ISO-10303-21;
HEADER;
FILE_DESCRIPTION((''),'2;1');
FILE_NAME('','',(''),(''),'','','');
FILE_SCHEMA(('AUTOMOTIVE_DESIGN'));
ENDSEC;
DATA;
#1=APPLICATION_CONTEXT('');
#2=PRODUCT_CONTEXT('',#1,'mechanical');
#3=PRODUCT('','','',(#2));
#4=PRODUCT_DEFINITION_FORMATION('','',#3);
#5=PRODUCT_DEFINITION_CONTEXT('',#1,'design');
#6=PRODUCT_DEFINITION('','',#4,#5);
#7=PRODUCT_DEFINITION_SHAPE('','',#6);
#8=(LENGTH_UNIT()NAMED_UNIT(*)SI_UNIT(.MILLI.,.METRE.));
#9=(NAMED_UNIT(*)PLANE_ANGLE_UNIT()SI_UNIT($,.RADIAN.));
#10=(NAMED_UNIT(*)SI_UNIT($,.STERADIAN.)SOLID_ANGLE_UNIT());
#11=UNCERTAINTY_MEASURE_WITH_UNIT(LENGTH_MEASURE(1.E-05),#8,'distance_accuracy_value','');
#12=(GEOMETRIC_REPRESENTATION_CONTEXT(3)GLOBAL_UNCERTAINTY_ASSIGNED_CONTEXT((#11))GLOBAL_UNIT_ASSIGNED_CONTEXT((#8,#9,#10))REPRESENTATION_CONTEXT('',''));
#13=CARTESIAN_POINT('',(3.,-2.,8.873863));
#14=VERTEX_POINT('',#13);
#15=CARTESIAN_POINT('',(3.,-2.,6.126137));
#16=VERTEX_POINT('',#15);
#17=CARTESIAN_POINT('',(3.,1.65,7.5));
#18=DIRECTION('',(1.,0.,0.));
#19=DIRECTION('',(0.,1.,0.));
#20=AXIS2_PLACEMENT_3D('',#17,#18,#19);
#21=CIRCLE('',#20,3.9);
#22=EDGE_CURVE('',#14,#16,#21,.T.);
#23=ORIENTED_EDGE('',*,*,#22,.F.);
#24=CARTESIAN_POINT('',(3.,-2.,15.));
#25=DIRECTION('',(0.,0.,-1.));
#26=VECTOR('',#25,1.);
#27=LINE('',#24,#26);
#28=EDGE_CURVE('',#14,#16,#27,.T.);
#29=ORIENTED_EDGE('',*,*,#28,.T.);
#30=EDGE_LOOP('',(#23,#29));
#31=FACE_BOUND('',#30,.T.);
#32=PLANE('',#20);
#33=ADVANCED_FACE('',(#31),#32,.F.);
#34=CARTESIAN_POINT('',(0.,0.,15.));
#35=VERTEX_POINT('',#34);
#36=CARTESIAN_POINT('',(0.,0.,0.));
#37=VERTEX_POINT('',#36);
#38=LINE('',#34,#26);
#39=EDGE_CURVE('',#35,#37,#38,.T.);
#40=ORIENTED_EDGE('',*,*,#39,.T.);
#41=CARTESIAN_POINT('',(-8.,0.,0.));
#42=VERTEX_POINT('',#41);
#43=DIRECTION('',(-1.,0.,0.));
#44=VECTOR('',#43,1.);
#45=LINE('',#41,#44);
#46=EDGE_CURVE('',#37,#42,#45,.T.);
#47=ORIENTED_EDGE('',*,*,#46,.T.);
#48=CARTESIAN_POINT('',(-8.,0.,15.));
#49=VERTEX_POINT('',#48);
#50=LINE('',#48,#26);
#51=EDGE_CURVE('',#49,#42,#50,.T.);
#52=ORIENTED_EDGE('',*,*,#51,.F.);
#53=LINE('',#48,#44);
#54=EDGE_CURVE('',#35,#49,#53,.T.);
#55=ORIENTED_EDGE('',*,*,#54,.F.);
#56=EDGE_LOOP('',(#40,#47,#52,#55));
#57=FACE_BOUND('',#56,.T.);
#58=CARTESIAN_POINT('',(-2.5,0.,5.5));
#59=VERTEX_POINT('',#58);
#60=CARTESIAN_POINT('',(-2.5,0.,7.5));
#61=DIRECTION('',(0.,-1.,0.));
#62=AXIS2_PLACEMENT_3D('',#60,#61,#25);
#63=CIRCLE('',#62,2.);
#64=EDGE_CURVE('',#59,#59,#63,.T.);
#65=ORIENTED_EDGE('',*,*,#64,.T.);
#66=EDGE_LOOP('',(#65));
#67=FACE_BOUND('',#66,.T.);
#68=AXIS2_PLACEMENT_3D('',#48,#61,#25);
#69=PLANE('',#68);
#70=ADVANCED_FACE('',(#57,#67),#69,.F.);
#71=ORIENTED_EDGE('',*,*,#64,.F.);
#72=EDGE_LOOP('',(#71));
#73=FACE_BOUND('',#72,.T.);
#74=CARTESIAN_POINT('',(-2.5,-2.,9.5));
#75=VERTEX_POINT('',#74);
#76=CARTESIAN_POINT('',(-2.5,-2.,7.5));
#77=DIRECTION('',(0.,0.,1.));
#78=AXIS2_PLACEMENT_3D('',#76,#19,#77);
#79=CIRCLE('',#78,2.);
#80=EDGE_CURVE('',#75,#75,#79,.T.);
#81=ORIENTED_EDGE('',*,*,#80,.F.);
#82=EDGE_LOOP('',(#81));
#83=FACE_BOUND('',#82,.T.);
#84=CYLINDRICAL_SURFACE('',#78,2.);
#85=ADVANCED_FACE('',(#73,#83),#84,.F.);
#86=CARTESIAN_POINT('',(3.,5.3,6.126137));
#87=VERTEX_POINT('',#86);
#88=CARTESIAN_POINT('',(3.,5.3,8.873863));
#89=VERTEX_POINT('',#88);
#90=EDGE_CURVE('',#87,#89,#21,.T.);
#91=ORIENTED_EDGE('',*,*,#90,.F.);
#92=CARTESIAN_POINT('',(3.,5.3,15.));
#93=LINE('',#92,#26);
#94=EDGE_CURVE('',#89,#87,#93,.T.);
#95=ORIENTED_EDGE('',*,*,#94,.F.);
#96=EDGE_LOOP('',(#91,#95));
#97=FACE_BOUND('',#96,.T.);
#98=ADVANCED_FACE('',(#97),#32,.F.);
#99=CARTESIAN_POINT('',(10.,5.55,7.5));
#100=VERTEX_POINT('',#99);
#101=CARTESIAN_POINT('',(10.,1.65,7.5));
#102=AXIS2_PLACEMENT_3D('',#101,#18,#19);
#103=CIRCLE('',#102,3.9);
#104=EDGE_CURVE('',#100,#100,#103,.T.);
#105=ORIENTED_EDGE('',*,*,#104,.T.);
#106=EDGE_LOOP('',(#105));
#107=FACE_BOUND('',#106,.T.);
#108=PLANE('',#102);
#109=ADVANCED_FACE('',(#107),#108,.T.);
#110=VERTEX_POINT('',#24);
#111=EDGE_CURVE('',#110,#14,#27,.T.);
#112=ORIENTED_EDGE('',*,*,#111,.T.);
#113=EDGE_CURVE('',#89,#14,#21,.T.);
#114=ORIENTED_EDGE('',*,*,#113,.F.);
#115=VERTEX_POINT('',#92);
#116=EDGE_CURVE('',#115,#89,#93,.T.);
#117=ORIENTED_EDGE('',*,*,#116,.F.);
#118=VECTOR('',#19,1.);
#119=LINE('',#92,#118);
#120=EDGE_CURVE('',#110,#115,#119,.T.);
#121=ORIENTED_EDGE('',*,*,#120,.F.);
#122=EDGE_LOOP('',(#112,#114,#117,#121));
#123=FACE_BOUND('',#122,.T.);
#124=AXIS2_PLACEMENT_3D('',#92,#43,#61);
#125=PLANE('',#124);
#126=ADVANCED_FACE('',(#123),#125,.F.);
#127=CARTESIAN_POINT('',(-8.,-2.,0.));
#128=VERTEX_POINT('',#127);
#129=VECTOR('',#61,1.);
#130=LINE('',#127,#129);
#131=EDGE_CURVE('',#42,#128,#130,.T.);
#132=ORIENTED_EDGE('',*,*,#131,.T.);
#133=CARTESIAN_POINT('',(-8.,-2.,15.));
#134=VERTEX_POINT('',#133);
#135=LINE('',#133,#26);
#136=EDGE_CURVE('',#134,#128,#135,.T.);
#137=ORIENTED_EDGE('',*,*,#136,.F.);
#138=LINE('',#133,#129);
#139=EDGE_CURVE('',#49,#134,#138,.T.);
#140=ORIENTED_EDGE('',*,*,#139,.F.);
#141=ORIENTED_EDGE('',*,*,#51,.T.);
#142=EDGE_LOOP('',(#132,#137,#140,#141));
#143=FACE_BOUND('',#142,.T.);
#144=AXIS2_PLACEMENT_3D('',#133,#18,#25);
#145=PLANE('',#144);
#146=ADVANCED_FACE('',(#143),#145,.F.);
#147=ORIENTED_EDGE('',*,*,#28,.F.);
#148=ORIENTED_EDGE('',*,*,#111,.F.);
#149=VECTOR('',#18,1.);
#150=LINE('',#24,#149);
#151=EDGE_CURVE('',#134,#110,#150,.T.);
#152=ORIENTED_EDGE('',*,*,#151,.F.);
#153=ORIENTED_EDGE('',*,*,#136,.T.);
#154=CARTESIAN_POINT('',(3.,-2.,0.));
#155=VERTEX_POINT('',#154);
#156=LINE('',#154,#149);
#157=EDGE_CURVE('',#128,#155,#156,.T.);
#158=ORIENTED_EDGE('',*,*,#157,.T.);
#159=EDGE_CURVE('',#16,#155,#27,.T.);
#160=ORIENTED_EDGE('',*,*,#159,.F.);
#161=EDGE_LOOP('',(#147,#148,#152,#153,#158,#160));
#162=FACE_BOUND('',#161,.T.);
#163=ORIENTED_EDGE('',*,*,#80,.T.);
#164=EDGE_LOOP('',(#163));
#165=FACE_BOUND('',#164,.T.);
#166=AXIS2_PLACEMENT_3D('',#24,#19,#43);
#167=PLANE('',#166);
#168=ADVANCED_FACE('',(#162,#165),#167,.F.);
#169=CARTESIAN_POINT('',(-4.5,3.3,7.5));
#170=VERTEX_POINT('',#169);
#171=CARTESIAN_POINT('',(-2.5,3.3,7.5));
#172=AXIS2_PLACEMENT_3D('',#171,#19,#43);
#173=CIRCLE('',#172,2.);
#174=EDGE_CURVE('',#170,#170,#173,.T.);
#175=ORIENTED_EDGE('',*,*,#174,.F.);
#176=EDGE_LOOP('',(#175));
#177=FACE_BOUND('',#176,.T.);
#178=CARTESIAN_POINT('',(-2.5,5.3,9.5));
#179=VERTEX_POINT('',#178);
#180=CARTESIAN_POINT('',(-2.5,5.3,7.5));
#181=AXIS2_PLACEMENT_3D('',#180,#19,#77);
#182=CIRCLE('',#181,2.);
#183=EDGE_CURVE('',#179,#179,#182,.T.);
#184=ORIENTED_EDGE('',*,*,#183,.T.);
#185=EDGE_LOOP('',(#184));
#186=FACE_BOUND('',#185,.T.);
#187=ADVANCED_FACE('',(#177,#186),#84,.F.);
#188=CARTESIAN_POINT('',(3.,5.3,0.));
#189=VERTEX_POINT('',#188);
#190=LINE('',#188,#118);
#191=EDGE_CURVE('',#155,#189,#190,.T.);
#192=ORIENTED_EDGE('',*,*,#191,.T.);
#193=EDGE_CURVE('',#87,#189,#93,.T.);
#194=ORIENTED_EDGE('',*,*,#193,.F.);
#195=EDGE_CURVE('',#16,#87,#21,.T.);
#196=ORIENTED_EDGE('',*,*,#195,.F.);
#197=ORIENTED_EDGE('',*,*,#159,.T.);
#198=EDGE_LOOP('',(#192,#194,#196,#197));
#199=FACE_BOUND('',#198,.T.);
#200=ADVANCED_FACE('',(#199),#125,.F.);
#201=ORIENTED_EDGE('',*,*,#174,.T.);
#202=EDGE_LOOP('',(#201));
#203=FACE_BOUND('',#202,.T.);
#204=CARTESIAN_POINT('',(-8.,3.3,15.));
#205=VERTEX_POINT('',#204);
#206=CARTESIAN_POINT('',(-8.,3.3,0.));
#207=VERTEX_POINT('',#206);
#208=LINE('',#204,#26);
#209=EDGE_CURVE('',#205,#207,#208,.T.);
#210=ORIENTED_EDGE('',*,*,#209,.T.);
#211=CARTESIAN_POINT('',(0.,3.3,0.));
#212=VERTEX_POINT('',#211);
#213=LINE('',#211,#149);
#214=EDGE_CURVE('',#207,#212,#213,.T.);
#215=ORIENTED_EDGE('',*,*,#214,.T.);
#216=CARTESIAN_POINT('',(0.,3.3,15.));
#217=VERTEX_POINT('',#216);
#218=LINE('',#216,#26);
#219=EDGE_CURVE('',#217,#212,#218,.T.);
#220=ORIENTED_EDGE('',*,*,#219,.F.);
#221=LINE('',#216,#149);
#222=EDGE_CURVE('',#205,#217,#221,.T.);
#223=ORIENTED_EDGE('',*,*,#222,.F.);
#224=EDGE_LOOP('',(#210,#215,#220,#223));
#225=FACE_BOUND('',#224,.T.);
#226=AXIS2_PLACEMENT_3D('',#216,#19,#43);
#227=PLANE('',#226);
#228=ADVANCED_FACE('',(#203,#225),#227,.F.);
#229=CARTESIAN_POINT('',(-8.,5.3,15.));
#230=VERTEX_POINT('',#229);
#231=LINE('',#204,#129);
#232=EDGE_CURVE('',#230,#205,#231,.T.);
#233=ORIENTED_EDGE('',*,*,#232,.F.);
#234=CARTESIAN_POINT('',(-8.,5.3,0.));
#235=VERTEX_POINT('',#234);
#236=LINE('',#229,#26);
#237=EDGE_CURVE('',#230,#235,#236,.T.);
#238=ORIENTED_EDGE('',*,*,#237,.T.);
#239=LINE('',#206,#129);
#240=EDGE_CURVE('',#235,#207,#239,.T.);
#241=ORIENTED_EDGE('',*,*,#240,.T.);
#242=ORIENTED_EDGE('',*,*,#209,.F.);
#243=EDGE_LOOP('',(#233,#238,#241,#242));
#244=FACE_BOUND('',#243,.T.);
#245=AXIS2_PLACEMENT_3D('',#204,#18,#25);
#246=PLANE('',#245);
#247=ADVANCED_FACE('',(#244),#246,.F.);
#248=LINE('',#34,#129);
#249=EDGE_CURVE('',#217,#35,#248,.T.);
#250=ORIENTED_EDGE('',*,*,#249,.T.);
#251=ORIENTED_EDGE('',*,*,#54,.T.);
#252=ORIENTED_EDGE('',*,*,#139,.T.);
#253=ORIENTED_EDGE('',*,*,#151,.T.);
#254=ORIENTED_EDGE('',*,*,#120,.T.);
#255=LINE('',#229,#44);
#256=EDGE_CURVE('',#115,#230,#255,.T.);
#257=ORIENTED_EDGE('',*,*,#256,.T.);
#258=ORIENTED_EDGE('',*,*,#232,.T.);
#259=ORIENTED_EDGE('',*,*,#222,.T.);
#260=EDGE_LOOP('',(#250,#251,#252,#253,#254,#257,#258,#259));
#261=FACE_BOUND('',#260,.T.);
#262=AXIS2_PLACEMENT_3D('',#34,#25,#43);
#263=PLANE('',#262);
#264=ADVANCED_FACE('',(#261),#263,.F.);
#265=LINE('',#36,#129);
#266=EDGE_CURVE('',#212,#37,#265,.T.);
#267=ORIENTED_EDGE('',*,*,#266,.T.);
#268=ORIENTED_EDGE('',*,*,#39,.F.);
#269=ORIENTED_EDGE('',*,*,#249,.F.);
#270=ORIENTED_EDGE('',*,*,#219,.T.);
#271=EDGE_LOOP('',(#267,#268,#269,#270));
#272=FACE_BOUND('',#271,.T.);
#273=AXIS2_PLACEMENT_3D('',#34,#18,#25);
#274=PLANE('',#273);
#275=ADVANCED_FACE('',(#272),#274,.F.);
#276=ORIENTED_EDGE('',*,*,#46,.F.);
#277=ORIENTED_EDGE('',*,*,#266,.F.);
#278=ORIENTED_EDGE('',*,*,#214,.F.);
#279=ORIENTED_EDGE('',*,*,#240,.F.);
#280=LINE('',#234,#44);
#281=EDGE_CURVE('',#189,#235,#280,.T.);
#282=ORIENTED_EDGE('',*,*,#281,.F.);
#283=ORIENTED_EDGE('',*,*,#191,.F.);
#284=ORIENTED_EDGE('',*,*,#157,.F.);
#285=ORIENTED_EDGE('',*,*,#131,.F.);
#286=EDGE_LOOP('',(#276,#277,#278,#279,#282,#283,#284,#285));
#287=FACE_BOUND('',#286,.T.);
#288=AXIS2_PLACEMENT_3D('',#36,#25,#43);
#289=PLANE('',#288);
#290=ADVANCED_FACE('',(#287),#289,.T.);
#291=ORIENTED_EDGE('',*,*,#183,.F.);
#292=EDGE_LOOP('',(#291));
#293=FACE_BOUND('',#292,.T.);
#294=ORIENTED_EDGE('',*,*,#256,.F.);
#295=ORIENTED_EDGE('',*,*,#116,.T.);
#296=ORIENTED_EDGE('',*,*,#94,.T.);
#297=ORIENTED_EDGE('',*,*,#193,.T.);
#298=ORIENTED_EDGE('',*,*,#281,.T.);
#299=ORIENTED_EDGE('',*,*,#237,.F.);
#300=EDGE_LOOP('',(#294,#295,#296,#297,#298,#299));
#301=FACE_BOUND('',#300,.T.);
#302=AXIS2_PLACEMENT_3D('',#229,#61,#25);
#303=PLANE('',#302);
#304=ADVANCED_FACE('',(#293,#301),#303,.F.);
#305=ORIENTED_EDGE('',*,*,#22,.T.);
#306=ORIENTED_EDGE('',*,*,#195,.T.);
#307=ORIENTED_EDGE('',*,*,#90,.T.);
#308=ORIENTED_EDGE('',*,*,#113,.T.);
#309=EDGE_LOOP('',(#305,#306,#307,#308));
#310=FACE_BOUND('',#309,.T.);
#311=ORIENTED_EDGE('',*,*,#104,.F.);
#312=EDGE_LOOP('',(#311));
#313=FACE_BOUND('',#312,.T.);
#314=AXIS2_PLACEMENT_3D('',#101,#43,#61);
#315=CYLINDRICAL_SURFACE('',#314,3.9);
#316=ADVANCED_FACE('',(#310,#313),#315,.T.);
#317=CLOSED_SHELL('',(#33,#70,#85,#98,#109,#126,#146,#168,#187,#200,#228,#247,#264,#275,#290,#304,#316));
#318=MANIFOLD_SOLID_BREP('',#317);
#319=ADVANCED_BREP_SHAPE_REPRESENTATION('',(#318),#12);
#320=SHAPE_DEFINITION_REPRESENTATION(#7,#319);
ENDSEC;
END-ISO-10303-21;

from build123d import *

# Parameters (mm, degrees)
BOSS_EXTRUDE1_DEPTH = 15
SKETCH5_R           = 2
CUT_EXTRUDE1_DEPTH  = 19.501081049
SKETCH4_R           = 3.9
BOSS_EXTRUDE2_DEPTH = 7


with BuildPart() as part:
    # Sketch1 → Boss-Extrude1 (new body)
    with BuildSketch(Plane.XY):
        Polygon((-8, 3.3), (-8, 5.3), (3, 5.3), (3, -2), (-8, -2), (-8, 0), (0, 0), (0, 3.3), align=None)
    extrude(amount=BOSS_EXTRUDE1_DEPTH)

    # Sketch5 → Cut-Extrude1 (cut, through all)
    with BuildSketch(Plane(origin=(0, 5.3, 0), x_dir=(1, 0, 0), z_dir=(0, 1, 0))):
        with Locations(Location((-2.5, -7.5, 0), (0, 0, 270))):
            Circle(SKETCH5_R)
    extrude(amount=-CUT_EXTRUDE1_DEPTH, mode=Mode.SUBTRACT)

    # Sketch4 → Boss-Extrude2 (add)
    with BuildSketch(Plane(origin=(3, 0, 0), x_dir=(0, 0, -1), z_dir=(1, 0, 0))):
        with Locations(Location((-7.5, 1.65, 0), (0, 0, 249.37361895))):
            Circle(SKETCH4_R)
    extrude(amount=BOSS_EXTRUDE2_DEPTH)


solid = part.part
